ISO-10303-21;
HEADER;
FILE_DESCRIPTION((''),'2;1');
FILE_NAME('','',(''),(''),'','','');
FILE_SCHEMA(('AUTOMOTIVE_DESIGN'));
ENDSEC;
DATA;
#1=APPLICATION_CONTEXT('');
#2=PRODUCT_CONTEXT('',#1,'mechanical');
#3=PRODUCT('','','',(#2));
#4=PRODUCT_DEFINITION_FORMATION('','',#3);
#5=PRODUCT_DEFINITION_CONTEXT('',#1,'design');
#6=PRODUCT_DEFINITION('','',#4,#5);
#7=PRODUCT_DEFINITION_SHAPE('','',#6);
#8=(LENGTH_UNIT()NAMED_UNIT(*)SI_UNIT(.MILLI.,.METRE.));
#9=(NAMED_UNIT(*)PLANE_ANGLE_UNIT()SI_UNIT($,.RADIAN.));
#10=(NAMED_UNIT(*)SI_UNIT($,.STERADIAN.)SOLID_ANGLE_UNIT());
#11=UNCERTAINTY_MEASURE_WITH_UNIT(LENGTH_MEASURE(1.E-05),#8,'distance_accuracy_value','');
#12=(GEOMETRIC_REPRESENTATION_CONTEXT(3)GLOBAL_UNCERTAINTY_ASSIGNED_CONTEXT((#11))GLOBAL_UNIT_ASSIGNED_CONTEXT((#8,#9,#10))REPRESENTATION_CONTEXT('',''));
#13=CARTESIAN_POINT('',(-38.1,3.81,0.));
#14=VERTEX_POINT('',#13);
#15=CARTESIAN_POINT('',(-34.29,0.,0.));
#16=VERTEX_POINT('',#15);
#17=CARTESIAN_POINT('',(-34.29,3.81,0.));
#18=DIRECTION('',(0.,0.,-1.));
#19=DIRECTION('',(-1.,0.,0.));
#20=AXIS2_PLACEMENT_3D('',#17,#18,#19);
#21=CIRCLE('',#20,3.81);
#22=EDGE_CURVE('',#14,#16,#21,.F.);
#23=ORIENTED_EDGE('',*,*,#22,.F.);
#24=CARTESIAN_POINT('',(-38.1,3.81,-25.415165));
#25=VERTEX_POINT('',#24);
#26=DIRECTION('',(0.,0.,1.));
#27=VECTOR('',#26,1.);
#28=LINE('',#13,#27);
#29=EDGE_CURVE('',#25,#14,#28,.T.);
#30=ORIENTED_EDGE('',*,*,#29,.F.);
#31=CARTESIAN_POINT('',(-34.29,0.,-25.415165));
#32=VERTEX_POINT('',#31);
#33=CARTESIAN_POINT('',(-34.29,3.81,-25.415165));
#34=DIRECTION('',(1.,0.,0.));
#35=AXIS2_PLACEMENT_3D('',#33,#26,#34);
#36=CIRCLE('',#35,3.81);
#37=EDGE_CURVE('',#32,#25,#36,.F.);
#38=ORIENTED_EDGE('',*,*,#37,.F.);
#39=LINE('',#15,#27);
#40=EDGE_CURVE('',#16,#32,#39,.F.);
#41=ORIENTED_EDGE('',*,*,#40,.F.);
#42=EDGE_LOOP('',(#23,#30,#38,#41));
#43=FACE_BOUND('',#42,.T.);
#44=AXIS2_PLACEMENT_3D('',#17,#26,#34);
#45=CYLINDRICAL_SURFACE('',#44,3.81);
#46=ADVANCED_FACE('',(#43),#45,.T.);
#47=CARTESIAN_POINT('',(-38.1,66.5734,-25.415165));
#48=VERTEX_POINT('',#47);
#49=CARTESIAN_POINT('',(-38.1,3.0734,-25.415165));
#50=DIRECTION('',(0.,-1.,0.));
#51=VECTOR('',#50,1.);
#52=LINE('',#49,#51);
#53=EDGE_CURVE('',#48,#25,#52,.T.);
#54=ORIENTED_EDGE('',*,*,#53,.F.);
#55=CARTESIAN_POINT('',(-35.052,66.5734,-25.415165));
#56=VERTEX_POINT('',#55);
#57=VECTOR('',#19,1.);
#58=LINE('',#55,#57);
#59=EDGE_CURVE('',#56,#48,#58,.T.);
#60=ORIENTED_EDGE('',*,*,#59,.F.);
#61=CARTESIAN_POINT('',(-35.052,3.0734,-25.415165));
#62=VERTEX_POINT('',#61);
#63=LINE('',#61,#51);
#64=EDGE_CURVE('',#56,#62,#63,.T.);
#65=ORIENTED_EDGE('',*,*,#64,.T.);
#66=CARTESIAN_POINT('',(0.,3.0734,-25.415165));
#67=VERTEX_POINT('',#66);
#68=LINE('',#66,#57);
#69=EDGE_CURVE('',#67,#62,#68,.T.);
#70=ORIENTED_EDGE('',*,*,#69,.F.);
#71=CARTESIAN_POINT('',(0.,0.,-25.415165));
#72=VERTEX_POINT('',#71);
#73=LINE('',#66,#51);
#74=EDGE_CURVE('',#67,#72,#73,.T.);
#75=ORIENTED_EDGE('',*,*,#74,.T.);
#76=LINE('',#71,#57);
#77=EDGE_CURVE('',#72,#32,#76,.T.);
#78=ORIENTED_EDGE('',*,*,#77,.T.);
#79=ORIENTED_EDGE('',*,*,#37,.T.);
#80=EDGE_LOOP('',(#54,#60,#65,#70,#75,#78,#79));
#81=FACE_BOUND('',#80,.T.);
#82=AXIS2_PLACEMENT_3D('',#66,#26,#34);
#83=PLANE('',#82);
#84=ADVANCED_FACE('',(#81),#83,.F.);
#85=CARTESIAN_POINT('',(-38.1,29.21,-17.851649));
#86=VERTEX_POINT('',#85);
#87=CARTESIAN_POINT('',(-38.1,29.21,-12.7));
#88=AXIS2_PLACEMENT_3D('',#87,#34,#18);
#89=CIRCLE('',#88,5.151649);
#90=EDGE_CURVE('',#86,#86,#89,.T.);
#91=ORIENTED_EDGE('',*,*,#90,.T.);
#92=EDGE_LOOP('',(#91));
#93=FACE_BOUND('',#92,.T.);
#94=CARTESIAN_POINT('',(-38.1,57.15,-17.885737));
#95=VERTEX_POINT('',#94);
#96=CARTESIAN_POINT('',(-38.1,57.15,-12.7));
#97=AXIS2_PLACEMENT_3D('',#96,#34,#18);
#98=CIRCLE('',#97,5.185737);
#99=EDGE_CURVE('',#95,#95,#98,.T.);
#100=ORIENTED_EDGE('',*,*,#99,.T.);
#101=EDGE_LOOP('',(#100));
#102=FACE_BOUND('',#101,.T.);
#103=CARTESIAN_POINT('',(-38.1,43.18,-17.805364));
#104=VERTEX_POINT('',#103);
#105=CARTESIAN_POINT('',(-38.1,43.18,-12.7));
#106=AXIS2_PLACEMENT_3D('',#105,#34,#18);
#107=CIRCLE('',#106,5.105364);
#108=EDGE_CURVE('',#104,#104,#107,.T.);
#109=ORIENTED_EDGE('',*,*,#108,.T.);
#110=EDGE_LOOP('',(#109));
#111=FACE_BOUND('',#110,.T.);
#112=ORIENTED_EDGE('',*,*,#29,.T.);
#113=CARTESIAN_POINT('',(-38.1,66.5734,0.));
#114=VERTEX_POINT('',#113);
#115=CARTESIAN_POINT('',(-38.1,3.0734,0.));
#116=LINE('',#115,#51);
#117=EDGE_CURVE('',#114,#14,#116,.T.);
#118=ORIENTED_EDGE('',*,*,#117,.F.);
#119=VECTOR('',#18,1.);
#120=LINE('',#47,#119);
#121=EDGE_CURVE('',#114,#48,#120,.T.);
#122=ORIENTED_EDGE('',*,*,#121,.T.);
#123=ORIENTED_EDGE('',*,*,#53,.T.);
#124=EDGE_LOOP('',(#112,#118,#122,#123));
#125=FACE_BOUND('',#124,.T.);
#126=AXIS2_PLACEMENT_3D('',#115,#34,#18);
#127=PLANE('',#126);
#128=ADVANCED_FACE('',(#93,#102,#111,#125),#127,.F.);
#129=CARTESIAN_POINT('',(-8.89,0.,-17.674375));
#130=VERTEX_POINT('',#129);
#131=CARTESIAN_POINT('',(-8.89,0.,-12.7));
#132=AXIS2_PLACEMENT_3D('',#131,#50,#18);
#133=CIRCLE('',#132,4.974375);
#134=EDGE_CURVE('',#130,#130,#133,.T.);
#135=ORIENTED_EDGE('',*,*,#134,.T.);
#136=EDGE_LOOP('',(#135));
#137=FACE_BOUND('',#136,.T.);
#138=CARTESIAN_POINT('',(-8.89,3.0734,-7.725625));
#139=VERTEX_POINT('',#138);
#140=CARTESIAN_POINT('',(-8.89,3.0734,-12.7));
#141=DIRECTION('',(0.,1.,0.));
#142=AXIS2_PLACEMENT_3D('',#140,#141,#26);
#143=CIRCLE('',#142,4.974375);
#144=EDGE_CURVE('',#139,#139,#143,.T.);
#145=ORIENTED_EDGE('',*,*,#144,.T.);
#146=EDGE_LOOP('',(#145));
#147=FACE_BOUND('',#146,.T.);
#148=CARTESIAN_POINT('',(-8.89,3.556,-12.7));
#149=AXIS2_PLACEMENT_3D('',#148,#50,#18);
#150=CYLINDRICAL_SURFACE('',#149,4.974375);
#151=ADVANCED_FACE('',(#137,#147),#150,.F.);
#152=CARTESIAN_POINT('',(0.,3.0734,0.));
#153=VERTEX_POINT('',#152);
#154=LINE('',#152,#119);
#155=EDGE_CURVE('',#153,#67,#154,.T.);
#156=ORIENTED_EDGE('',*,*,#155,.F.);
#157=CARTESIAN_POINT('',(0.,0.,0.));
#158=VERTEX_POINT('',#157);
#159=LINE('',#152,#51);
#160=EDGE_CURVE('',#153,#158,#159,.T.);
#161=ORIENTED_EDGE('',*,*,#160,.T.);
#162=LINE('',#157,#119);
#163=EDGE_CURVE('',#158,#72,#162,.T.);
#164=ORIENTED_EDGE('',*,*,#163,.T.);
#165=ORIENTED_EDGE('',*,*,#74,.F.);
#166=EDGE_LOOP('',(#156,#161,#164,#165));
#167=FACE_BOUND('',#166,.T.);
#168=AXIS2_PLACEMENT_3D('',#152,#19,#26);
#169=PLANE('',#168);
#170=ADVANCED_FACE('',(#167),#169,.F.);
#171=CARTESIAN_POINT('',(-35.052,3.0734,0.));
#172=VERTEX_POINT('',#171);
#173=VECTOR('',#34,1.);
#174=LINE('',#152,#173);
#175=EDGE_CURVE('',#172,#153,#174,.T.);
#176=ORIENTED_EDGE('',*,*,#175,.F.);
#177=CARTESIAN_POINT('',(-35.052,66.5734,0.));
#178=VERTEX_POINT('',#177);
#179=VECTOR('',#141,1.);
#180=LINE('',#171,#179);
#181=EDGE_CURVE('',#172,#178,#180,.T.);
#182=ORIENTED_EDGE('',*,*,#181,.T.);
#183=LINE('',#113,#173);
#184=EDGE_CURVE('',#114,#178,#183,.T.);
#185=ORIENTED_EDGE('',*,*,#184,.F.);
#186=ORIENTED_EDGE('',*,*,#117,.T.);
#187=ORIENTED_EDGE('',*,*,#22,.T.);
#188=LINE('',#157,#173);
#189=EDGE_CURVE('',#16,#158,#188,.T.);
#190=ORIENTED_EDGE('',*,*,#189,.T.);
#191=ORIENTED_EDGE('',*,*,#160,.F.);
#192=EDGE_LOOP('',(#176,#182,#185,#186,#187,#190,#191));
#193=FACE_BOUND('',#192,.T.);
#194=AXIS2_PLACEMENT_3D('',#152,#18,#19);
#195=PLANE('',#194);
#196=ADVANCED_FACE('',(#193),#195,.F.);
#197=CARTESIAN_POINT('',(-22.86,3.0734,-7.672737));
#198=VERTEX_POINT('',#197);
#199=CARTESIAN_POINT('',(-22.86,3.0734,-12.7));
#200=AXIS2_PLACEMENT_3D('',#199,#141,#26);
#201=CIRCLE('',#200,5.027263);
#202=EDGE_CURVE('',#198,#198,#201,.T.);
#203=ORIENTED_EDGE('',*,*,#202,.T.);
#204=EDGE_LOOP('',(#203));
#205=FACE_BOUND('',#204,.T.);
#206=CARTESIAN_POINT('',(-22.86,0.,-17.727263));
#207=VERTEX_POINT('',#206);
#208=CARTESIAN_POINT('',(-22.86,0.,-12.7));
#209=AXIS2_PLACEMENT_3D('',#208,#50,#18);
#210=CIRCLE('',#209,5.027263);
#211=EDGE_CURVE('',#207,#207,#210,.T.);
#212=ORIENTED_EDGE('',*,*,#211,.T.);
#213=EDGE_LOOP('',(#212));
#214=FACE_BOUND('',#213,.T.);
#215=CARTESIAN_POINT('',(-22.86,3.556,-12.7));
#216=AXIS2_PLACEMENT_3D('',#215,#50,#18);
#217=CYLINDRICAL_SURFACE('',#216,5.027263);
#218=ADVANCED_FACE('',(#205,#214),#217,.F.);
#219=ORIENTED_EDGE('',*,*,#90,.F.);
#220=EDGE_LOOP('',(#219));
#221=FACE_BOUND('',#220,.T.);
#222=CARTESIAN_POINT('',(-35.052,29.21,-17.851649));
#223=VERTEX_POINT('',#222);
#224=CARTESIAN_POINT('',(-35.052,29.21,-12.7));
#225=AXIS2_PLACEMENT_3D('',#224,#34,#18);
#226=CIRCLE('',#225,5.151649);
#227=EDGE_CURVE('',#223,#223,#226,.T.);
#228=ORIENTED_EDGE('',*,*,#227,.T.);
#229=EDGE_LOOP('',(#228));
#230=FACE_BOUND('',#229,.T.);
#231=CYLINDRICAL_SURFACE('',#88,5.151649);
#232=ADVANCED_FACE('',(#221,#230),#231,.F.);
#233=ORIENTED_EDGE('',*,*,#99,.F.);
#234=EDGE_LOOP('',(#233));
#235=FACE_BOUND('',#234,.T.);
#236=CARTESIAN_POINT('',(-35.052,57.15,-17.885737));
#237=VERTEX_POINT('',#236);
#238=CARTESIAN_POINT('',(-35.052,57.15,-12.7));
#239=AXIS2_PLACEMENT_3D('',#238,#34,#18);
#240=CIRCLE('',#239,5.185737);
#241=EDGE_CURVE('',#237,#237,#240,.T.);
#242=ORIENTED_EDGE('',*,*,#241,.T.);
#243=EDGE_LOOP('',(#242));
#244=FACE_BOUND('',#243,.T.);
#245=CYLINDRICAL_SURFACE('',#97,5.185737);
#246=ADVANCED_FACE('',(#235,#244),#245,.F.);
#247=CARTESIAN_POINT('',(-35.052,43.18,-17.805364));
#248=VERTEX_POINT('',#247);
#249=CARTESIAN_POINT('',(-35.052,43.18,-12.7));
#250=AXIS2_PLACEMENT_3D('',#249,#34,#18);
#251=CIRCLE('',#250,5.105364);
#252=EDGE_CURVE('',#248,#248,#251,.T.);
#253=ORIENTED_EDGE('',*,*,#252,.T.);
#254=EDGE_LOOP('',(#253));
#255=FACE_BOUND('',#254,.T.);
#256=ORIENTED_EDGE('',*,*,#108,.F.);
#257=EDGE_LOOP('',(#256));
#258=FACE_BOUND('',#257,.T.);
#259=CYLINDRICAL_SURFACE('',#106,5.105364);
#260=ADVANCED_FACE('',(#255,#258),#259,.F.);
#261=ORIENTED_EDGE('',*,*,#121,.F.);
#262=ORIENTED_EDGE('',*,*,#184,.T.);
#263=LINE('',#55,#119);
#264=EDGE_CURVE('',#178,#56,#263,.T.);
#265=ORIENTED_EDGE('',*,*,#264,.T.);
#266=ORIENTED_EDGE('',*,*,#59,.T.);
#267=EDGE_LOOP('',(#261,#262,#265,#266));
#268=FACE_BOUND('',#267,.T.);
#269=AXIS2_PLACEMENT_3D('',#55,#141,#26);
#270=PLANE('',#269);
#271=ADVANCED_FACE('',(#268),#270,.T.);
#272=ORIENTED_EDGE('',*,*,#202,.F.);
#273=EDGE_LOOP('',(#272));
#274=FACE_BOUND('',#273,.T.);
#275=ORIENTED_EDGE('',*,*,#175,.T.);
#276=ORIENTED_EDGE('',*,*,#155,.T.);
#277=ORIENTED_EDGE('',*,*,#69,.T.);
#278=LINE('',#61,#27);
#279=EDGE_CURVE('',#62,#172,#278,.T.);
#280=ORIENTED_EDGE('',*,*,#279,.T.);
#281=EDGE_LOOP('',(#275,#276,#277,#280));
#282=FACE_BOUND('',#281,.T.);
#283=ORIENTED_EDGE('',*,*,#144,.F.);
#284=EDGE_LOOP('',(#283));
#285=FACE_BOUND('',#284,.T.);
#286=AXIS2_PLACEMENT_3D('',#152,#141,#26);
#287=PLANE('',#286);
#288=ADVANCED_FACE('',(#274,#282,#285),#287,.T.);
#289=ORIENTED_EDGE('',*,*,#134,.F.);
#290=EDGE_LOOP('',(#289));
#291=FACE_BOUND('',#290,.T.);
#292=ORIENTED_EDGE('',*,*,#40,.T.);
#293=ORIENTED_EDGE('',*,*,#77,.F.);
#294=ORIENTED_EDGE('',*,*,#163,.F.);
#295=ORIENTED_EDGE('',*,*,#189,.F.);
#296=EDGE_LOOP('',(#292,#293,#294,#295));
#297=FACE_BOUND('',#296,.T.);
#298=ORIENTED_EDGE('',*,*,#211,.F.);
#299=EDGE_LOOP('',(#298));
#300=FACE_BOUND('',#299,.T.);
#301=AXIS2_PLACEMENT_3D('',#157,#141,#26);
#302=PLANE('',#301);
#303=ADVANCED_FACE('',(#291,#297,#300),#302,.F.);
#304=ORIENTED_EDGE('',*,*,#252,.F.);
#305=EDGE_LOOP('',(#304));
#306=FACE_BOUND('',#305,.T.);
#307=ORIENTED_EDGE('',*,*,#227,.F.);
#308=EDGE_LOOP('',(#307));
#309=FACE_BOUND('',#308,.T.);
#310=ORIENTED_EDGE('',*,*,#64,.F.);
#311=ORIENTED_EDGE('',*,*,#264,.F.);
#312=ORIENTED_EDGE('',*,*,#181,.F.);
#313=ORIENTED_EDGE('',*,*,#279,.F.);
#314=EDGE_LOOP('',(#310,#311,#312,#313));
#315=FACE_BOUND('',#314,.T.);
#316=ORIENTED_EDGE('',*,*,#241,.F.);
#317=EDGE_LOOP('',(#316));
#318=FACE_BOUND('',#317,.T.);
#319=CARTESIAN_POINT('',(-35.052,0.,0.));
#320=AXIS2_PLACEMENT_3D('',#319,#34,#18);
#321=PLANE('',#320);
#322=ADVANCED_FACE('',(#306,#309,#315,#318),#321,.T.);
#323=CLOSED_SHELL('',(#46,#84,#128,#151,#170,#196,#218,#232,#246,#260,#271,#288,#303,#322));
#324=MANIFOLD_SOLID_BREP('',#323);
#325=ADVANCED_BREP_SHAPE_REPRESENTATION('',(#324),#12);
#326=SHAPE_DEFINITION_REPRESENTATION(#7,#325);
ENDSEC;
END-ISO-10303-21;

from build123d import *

# Parameters (mm, degrees)
SKETCH1_W           = 38.1
SKETCH1_H           = 25.415165138
BOSS_EXTRUDE1_DEPTH = 3.0734
SKETCH2_W           = 28.174522189
SKETCH2_H           = 63.5
BOSS_EXTRUDE2_DEPTH = 3.048
SKETCH3_W           = 2.759357051
SKETCH3_H           = 63.5
CUT_EXTRUDE1_DEPTH  = 3.048
FILLET1_R           = 3.81
SKETCH4_R           = 5.185736545
SKETCH4_R_2         = 5.105364429
SKETCH4_R_3         = 5.151648863
CUT_EXTRUDE2_DEPTH  = 3.048
SKETCH5_R           = 5.027262634
SKETCH5_R_2         = 4.974374785
CUT_EXTRUDE3_DEPTH  = 3.556


with BuildPart() as part:
    # Sketch1 → Boss-Extrude1 (new body)
    with BuildSketch(Plane(origin=(0, 0, 0), x_dir=(1, 0, 0), z_dir=(0, 1, 0))):
        with Locations((-19.05, 12.707582569)):
            Rectangle(SKETCH1_W, SKETCH1_H)
    extrude(amount=BOSS_EXTRUDE1_DEPTH)

    # Sketch2 → Boss-Extrude2 (add)
    with BuildSketch(Plane.ZY.offset(38.1)):
        with Locations((-11.327904044, 34.8234)):
            Rectangle(SKETCH2_W, SKETCH2_H)
    extrude(amount=-BOSS_EXTRUDE2_DEPTH)

    # Sketch3 → Cut-Extrude1 (cut)
    with BuildSketch(Plane(origin=(-35.052, 0, 0), x_dir=(0, 0, -1), z_dir=(1, 0, 0))):
        with Locations((-1.379678526, 34.8234)):
            Rectangle(SKETCH3_W, SKETCH3_H)
    extrude(amount=-CUT_EXTRUDE1_DEPTH, mode=Mode.SUBTRACT)

    # Fillet1
    fillet1_edges = [part.edges().sort_by_distance(p)[0] for p in [
        (-38.1, 0, -12.707582569),
    ]]
    fillet(fillet1_edges, radius=FILLET1_R)

    # Sketch4 → Cut-Extrude2 (cut)
    with BuildSketch(Plane(origin=(-35.052, 0, 0), x_dir=(0, 0, -1), z_dir=(1, 0, 0))):
        with Locations((12.7, 57.15)):
            Circle(SKETCH4_R)
        with Locations((12.7, 43.18)):
            Circle(SKETCH4_R_2)
        with Locations((12.7, 29.21)):
            Circle(SKETCH4_R_3)
    extrude(amount=-CUT_EXTRUDE2_DEPTH, mode=Mode.SUBTRACT)

    # Sketch5 → Cut-Extrude3 (cut)
    with BuildSketch(Plane(origin=(0, 0, 0), x_dir=(-1, 0, 0), z_dir=(0, -1, 0))):
        with Locations(Location((22.86, 12.7, 0), (0, 0, 90))):
            Circle(SKETCH5_R)
        with Locations(Location((8.89, 12.7, 0), (0, 0, 90))):
            Circle(SKETCH5_R_2)
    extrude(amount=-CUT_EXTRUDE3_DEPTH, mode=Mode.SUBTRACT)


solid = part.part
